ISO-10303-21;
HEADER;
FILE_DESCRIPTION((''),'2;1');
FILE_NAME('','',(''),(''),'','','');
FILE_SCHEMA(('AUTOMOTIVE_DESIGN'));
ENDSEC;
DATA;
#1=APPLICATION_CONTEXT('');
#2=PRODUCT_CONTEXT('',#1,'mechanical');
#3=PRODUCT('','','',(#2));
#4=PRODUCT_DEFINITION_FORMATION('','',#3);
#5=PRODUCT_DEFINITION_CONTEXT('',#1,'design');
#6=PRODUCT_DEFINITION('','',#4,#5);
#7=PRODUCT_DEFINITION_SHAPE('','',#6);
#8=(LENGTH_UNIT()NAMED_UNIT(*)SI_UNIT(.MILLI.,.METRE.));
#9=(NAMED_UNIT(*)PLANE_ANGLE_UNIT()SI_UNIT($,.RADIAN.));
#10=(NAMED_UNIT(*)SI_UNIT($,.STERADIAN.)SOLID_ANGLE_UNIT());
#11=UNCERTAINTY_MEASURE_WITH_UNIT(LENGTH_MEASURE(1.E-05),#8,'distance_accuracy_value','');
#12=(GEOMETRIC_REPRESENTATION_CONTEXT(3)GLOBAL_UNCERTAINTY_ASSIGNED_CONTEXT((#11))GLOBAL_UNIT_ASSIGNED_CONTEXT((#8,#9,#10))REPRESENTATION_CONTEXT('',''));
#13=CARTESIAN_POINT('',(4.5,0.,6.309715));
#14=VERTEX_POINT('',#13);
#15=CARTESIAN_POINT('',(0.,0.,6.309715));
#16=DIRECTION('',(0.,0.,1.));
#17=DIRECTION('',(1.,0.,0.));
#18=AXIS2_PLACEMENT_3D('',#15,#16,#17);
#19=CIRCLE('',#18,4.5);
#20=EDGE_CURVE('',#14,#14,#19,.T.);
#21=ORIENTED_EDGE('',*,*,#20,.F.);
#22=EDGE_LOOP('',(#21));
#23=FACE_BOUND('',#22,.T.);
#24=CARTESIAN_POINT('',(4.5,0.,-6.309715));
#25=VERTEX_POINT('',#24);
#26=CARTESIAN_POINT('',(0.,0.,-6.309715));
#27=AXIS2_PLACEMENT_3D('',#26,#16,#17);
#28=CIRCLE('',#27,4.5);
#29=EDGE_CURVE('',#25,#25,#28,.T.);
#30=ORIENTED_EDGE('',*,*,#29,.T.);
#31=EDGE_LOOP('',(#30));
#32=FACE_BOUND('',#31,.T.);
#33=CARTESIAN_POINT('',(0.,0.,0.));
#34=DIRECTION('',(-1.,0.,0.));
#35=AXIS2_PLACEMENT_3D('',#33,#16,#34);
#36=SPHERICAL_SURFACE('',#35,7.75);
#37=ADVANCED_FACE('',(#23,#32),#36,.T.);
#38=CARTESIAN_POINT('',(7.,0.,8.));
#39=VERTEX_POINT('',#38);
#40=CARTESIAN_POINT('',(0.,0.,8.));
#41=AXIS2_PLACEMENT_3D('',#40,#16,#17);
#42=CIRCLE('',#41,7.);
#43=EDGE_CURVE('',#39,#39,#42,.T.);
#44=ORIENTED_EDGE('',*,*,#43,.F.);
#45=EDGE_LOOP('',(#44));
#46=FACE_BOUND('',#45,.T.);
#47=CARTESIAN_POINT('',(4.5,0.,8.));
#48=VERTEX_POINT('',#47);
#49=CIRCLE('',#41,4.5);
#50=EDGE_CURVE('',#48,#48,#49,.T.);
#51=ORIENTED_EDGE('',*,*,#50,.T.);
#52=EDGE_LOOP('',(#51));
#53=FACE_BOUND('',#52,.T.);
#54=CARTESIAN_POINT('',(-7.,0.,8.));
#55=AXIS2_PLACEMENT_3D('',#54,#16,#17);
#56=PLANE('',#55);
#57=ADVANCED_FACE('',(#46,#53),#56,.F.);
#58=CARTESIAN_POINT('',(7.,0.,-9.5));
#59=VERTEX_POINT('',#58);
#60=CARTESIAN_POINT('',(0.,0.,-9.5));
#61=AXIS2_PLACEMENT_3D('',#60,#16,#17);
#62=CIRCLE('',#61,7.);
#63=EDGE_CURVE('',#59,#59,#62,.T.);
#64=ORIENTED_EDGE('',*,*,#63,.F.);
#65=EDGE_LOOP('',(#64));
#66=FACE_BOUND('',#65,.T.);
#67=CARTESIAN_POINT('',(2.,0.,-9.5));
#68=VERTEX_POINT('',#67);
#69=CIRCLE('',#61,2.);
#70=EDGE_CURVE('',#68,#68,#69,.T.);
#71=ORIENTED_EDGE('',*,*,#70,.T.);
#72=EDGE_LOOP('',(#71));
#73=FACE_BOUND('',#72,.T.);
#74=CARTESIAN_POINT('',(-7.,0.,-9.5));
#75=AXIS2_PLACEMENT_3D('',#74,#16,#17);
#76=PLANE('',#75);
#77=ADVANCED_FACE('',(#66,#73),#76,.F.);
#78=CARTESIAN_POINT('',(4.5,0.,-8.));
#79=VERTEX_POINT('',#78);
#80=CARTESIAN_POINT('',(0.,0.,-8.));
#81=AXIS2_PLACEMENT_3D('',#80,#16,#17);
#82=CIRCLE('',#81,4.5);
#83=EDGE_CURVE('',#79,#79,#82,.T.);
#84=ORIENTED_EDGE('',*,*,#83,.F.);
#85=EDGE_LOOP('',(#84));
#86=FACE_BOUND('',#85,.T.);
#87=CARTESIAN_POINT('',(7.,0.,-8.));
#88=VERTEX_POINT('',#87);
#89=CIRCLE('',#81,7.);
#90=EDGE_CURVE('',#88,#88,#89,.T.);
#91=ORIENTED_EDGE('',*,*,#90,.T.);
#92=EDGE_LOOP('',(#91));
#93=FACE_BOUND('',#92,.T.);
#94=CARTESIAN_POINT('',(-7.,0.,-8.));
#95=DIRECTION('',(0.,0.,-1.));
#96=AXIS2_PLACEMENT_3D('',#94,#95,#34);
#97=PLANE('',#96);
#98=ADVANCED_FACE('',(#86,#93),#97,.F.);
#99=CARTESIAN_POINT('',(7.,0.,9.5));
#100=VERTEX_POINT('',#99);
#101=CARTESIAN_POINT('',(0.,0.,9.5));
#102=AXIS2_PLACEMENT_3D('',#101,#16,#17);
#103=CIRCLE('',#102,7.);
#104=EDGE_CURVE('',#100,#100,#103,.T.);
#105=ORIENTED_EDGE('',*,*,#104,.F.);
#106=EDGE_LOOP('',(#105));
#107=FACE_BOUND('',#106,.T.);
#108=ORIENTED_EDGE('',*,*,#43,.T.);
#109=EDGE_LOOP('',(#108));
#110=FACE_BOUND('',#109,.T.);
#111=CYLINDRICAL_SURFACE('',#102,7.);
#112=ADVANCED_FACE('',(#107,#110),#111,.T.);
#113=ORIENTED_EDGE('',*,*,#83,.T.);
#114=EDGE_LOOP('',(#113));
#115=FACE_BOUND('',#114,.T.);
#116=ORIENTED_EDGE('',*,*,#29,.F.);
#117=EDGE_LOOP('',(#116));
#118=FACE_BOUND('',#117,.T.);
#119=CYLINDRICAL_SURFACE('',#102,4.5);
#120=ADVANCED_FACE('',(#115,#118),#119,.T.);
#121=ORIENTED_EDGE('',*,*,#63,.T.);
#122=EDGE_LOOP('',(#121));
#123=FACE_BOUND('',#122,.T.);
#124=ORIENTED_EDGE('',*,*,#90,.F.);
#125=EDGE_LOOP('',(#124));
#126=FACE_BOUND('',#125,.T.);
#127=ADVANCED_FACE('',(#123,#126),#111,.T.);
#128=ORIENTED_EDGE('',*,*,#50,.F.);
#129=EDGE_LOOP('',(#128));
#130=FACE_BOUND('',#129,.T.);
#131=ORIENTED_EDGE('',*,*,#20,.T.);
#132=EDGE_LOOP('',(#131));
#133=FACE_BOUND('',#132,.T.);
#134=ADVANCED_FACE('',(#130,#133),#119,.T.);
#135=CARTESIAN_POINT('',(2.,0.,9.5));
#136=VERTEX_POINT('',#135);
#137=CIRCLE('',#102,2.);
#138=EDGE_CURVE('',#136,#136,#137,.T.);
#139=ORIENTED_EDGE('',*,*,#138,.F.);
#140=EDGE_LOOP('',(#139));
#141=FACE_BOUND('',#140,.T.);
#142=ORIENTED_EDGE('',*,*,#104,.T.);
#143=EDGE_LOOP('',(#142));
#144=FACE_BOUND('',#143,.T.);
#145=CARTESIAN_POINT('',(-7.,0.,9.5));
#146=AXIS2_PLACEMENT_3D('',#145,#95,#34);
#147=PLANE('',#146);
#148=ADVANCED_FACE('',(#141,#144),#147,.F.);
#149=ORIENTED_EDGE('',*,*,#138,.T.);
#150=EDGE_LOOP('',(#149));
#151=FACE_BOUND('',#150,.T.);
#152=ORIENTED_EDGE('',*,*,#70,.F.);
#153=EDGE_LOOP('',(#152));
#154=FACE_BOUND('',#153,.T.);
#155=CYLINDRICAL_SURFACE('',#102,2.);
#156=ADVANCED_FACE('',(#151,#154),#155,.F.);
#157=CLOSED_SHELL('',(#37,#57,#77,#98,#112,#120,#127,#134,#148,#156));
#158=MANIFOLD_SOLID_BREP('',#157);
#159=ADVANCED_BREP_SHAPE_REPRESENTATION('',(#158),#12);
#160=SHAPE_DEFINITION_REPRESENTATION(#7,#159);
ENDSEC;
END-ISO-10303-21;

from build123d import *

# Parameters (mm, degrees)
F_4_0_4_DIAMETER_HOLE1_D = 4


with BuildPart() as part:
    # Sketch1 → Revolve1 (revolve)
    with BuildSketch(Plane(origin=(0, 0, 0), x_dir=(1, 0, 0), z_dir=(0, 1, 0))):
        with BuildLine():
            Line((-4.5, -6.309714732), (-4.5, -8))
            Line((-4.5, -8), (-7, -8))
            Line((-7, -8), (-7, -9.5))
            Line((-7, -9.5), (0, -9.5))
            Line((0, -9.5), (0, 9.5))
            Line((0, 9.5), (-7, 9.5))
            Line((-7, 9.5), (-7, 8))
            Line((-7, 8), (-4.5, 8))
            Line((-4.5, 8), (-4.5, 6.309714732))
            ThreePointArc((-4.5, 6.309714732), (-7.75, 0), (-4.5, -6.309714732))
        make_face()
    revolve(axis=Axis((0, 0, 9.5), (0, 0, -1)))

    # Ø4.0 (4) Diameter Hole1 (through all)
    with Locations(Plane.XY.offset(9.5)):
        with Locations((0, 0)):
            Hole(F_4_0_4_DIAMETER_HOLE1_D / 2)


solid = part.part
